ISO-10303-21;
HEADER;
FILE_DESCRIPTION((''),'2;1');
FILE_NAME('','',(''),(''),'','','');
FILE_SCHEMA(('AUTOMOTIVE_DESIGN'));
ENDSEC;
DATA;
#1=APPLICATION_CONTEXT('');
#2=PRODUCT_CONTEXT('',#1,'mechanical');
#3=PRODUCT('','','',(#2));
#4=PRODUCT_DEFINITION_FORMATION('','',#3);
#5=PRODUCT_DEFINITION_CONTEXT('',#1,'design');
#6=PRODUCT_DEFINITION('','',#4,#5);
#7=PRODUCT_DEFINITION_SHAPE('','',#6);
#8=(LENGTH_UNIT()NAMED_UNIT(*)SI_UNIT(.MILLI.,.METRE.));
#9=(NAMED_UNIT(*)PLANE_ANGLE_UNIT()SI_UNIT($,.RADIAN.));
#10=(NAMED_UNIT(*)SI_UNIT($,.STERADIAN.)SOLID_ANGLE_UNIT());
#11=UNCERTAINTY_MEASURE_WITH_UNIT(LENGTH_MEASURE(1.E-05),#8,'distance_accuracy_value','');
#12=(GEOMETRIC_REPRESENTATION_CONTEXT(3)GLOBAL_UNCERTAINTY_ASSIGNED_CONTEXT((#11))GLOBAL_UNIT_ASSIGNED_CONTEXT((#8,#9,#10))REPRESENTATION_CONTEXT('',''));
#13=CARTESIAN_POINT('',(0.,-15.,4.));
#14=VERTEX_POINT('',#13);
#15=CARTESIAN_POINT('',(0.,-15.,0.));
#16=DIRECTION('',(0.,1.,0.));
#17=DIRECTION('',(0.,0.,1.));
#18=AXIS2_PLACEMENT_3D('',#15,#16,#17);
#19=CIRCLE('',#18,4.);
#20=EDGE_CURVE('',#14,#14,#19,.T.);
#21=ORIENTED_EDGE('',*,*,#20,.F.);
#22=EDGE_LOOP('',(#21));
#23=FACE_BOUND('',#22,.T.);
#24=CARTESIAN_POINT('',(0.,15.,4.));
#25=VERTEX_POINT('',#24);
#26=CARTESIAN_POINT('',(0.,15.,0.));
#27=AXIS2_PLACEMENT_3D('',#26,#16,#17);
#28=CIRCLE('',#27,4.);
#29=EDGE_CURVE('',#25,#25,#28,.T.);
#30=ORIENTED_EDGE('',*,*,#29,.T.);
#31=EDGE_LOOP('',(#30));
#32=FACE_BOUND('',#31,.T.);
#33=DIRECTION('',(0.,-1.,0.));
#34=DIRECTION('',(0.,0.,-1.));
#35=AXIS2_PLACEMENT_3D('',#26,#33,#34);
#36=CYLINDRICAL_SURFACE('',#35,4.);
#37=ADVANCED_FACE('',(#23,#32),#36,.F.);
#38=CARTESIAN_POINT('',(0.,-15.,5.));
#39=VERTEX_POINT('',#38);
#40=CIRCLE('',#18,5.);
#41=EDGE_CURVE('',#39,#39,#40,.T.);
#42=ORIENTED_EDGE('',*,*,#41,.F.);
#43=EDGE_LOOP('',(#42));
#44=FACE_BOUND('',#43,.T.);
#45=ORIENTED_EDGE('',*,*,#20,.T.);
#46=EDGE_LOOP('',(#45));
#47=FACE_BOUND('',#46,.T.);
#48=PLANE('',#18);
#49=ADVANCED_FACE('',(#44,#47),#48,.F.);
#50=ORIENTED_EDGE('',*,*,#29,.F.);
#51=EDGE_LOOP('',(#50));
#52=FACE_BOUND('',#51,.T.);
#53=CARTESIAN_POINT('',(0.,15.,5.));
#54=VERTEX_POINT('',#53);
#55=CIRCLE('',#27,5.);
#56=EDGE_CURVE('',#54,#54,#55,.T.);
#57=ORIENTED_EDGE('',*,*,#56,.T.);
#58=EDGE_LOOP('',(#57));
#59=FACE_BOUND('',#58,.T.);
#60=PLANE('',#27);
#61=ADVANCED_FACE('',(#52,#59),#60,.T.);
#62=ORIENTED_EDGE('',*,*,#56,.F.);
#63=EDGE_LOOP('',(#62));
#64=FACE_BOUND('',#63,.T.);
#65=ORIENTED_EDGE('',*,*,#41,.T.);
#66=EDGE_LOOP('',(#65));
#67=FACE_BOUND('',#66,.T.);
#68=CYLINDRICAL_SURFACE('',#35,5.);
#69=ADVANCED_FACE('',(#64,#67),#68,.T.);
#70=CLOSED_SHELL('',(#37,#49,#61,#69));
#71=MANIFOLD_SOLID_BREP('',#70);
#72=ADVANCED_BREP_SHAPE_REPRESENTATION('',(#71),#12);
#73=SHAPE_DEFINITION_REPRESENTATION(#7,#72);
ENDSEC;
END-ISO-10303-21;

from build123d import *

# Parameters (mm, degrees)
SKETCH_1_R               = 5
EXTRUDE_3_DEPTH          = 15
CUT_EXTRUDE_1_DEPTH      = 17.583123952
CUT_EXTRUDE_1_DEPTH_BACK = 17.583123952
SKETCH_1_10_R            = 4


with BuildPart() as part:
    # 草图1 → 凸台-拉伸3 (new, symmetric)
    with BuildSketch(Plane(origin=(0, 0, 0), x_dir=(1, 0, 0), z_dir=(0, 1, 0))):
        Circle(SKETCH_1_R)
    extrude(amount=EXTRUDE_3_DEPTH, both=True)

    # 草图1<10> → 切除-拉伸1 (cut, two sides: drawn at the far end of the back side and taken through both)
    with BuildSketch(Plane(origin=(0, 0, 0), x_dir=(1, 0, 0), z_dir=(0, 1, 0)).offset(-CUT_EXTRUDE_1_DEPTH_BACK)):
        Circle(SKETCH_1_10_R)
    extrude(amount=CUT_EXTRUDE_1_DEPTH + CUT_EXTRUDE_1_DEPTH_BACK, mode=Mode.SUBTRACT)


solid = part.part
